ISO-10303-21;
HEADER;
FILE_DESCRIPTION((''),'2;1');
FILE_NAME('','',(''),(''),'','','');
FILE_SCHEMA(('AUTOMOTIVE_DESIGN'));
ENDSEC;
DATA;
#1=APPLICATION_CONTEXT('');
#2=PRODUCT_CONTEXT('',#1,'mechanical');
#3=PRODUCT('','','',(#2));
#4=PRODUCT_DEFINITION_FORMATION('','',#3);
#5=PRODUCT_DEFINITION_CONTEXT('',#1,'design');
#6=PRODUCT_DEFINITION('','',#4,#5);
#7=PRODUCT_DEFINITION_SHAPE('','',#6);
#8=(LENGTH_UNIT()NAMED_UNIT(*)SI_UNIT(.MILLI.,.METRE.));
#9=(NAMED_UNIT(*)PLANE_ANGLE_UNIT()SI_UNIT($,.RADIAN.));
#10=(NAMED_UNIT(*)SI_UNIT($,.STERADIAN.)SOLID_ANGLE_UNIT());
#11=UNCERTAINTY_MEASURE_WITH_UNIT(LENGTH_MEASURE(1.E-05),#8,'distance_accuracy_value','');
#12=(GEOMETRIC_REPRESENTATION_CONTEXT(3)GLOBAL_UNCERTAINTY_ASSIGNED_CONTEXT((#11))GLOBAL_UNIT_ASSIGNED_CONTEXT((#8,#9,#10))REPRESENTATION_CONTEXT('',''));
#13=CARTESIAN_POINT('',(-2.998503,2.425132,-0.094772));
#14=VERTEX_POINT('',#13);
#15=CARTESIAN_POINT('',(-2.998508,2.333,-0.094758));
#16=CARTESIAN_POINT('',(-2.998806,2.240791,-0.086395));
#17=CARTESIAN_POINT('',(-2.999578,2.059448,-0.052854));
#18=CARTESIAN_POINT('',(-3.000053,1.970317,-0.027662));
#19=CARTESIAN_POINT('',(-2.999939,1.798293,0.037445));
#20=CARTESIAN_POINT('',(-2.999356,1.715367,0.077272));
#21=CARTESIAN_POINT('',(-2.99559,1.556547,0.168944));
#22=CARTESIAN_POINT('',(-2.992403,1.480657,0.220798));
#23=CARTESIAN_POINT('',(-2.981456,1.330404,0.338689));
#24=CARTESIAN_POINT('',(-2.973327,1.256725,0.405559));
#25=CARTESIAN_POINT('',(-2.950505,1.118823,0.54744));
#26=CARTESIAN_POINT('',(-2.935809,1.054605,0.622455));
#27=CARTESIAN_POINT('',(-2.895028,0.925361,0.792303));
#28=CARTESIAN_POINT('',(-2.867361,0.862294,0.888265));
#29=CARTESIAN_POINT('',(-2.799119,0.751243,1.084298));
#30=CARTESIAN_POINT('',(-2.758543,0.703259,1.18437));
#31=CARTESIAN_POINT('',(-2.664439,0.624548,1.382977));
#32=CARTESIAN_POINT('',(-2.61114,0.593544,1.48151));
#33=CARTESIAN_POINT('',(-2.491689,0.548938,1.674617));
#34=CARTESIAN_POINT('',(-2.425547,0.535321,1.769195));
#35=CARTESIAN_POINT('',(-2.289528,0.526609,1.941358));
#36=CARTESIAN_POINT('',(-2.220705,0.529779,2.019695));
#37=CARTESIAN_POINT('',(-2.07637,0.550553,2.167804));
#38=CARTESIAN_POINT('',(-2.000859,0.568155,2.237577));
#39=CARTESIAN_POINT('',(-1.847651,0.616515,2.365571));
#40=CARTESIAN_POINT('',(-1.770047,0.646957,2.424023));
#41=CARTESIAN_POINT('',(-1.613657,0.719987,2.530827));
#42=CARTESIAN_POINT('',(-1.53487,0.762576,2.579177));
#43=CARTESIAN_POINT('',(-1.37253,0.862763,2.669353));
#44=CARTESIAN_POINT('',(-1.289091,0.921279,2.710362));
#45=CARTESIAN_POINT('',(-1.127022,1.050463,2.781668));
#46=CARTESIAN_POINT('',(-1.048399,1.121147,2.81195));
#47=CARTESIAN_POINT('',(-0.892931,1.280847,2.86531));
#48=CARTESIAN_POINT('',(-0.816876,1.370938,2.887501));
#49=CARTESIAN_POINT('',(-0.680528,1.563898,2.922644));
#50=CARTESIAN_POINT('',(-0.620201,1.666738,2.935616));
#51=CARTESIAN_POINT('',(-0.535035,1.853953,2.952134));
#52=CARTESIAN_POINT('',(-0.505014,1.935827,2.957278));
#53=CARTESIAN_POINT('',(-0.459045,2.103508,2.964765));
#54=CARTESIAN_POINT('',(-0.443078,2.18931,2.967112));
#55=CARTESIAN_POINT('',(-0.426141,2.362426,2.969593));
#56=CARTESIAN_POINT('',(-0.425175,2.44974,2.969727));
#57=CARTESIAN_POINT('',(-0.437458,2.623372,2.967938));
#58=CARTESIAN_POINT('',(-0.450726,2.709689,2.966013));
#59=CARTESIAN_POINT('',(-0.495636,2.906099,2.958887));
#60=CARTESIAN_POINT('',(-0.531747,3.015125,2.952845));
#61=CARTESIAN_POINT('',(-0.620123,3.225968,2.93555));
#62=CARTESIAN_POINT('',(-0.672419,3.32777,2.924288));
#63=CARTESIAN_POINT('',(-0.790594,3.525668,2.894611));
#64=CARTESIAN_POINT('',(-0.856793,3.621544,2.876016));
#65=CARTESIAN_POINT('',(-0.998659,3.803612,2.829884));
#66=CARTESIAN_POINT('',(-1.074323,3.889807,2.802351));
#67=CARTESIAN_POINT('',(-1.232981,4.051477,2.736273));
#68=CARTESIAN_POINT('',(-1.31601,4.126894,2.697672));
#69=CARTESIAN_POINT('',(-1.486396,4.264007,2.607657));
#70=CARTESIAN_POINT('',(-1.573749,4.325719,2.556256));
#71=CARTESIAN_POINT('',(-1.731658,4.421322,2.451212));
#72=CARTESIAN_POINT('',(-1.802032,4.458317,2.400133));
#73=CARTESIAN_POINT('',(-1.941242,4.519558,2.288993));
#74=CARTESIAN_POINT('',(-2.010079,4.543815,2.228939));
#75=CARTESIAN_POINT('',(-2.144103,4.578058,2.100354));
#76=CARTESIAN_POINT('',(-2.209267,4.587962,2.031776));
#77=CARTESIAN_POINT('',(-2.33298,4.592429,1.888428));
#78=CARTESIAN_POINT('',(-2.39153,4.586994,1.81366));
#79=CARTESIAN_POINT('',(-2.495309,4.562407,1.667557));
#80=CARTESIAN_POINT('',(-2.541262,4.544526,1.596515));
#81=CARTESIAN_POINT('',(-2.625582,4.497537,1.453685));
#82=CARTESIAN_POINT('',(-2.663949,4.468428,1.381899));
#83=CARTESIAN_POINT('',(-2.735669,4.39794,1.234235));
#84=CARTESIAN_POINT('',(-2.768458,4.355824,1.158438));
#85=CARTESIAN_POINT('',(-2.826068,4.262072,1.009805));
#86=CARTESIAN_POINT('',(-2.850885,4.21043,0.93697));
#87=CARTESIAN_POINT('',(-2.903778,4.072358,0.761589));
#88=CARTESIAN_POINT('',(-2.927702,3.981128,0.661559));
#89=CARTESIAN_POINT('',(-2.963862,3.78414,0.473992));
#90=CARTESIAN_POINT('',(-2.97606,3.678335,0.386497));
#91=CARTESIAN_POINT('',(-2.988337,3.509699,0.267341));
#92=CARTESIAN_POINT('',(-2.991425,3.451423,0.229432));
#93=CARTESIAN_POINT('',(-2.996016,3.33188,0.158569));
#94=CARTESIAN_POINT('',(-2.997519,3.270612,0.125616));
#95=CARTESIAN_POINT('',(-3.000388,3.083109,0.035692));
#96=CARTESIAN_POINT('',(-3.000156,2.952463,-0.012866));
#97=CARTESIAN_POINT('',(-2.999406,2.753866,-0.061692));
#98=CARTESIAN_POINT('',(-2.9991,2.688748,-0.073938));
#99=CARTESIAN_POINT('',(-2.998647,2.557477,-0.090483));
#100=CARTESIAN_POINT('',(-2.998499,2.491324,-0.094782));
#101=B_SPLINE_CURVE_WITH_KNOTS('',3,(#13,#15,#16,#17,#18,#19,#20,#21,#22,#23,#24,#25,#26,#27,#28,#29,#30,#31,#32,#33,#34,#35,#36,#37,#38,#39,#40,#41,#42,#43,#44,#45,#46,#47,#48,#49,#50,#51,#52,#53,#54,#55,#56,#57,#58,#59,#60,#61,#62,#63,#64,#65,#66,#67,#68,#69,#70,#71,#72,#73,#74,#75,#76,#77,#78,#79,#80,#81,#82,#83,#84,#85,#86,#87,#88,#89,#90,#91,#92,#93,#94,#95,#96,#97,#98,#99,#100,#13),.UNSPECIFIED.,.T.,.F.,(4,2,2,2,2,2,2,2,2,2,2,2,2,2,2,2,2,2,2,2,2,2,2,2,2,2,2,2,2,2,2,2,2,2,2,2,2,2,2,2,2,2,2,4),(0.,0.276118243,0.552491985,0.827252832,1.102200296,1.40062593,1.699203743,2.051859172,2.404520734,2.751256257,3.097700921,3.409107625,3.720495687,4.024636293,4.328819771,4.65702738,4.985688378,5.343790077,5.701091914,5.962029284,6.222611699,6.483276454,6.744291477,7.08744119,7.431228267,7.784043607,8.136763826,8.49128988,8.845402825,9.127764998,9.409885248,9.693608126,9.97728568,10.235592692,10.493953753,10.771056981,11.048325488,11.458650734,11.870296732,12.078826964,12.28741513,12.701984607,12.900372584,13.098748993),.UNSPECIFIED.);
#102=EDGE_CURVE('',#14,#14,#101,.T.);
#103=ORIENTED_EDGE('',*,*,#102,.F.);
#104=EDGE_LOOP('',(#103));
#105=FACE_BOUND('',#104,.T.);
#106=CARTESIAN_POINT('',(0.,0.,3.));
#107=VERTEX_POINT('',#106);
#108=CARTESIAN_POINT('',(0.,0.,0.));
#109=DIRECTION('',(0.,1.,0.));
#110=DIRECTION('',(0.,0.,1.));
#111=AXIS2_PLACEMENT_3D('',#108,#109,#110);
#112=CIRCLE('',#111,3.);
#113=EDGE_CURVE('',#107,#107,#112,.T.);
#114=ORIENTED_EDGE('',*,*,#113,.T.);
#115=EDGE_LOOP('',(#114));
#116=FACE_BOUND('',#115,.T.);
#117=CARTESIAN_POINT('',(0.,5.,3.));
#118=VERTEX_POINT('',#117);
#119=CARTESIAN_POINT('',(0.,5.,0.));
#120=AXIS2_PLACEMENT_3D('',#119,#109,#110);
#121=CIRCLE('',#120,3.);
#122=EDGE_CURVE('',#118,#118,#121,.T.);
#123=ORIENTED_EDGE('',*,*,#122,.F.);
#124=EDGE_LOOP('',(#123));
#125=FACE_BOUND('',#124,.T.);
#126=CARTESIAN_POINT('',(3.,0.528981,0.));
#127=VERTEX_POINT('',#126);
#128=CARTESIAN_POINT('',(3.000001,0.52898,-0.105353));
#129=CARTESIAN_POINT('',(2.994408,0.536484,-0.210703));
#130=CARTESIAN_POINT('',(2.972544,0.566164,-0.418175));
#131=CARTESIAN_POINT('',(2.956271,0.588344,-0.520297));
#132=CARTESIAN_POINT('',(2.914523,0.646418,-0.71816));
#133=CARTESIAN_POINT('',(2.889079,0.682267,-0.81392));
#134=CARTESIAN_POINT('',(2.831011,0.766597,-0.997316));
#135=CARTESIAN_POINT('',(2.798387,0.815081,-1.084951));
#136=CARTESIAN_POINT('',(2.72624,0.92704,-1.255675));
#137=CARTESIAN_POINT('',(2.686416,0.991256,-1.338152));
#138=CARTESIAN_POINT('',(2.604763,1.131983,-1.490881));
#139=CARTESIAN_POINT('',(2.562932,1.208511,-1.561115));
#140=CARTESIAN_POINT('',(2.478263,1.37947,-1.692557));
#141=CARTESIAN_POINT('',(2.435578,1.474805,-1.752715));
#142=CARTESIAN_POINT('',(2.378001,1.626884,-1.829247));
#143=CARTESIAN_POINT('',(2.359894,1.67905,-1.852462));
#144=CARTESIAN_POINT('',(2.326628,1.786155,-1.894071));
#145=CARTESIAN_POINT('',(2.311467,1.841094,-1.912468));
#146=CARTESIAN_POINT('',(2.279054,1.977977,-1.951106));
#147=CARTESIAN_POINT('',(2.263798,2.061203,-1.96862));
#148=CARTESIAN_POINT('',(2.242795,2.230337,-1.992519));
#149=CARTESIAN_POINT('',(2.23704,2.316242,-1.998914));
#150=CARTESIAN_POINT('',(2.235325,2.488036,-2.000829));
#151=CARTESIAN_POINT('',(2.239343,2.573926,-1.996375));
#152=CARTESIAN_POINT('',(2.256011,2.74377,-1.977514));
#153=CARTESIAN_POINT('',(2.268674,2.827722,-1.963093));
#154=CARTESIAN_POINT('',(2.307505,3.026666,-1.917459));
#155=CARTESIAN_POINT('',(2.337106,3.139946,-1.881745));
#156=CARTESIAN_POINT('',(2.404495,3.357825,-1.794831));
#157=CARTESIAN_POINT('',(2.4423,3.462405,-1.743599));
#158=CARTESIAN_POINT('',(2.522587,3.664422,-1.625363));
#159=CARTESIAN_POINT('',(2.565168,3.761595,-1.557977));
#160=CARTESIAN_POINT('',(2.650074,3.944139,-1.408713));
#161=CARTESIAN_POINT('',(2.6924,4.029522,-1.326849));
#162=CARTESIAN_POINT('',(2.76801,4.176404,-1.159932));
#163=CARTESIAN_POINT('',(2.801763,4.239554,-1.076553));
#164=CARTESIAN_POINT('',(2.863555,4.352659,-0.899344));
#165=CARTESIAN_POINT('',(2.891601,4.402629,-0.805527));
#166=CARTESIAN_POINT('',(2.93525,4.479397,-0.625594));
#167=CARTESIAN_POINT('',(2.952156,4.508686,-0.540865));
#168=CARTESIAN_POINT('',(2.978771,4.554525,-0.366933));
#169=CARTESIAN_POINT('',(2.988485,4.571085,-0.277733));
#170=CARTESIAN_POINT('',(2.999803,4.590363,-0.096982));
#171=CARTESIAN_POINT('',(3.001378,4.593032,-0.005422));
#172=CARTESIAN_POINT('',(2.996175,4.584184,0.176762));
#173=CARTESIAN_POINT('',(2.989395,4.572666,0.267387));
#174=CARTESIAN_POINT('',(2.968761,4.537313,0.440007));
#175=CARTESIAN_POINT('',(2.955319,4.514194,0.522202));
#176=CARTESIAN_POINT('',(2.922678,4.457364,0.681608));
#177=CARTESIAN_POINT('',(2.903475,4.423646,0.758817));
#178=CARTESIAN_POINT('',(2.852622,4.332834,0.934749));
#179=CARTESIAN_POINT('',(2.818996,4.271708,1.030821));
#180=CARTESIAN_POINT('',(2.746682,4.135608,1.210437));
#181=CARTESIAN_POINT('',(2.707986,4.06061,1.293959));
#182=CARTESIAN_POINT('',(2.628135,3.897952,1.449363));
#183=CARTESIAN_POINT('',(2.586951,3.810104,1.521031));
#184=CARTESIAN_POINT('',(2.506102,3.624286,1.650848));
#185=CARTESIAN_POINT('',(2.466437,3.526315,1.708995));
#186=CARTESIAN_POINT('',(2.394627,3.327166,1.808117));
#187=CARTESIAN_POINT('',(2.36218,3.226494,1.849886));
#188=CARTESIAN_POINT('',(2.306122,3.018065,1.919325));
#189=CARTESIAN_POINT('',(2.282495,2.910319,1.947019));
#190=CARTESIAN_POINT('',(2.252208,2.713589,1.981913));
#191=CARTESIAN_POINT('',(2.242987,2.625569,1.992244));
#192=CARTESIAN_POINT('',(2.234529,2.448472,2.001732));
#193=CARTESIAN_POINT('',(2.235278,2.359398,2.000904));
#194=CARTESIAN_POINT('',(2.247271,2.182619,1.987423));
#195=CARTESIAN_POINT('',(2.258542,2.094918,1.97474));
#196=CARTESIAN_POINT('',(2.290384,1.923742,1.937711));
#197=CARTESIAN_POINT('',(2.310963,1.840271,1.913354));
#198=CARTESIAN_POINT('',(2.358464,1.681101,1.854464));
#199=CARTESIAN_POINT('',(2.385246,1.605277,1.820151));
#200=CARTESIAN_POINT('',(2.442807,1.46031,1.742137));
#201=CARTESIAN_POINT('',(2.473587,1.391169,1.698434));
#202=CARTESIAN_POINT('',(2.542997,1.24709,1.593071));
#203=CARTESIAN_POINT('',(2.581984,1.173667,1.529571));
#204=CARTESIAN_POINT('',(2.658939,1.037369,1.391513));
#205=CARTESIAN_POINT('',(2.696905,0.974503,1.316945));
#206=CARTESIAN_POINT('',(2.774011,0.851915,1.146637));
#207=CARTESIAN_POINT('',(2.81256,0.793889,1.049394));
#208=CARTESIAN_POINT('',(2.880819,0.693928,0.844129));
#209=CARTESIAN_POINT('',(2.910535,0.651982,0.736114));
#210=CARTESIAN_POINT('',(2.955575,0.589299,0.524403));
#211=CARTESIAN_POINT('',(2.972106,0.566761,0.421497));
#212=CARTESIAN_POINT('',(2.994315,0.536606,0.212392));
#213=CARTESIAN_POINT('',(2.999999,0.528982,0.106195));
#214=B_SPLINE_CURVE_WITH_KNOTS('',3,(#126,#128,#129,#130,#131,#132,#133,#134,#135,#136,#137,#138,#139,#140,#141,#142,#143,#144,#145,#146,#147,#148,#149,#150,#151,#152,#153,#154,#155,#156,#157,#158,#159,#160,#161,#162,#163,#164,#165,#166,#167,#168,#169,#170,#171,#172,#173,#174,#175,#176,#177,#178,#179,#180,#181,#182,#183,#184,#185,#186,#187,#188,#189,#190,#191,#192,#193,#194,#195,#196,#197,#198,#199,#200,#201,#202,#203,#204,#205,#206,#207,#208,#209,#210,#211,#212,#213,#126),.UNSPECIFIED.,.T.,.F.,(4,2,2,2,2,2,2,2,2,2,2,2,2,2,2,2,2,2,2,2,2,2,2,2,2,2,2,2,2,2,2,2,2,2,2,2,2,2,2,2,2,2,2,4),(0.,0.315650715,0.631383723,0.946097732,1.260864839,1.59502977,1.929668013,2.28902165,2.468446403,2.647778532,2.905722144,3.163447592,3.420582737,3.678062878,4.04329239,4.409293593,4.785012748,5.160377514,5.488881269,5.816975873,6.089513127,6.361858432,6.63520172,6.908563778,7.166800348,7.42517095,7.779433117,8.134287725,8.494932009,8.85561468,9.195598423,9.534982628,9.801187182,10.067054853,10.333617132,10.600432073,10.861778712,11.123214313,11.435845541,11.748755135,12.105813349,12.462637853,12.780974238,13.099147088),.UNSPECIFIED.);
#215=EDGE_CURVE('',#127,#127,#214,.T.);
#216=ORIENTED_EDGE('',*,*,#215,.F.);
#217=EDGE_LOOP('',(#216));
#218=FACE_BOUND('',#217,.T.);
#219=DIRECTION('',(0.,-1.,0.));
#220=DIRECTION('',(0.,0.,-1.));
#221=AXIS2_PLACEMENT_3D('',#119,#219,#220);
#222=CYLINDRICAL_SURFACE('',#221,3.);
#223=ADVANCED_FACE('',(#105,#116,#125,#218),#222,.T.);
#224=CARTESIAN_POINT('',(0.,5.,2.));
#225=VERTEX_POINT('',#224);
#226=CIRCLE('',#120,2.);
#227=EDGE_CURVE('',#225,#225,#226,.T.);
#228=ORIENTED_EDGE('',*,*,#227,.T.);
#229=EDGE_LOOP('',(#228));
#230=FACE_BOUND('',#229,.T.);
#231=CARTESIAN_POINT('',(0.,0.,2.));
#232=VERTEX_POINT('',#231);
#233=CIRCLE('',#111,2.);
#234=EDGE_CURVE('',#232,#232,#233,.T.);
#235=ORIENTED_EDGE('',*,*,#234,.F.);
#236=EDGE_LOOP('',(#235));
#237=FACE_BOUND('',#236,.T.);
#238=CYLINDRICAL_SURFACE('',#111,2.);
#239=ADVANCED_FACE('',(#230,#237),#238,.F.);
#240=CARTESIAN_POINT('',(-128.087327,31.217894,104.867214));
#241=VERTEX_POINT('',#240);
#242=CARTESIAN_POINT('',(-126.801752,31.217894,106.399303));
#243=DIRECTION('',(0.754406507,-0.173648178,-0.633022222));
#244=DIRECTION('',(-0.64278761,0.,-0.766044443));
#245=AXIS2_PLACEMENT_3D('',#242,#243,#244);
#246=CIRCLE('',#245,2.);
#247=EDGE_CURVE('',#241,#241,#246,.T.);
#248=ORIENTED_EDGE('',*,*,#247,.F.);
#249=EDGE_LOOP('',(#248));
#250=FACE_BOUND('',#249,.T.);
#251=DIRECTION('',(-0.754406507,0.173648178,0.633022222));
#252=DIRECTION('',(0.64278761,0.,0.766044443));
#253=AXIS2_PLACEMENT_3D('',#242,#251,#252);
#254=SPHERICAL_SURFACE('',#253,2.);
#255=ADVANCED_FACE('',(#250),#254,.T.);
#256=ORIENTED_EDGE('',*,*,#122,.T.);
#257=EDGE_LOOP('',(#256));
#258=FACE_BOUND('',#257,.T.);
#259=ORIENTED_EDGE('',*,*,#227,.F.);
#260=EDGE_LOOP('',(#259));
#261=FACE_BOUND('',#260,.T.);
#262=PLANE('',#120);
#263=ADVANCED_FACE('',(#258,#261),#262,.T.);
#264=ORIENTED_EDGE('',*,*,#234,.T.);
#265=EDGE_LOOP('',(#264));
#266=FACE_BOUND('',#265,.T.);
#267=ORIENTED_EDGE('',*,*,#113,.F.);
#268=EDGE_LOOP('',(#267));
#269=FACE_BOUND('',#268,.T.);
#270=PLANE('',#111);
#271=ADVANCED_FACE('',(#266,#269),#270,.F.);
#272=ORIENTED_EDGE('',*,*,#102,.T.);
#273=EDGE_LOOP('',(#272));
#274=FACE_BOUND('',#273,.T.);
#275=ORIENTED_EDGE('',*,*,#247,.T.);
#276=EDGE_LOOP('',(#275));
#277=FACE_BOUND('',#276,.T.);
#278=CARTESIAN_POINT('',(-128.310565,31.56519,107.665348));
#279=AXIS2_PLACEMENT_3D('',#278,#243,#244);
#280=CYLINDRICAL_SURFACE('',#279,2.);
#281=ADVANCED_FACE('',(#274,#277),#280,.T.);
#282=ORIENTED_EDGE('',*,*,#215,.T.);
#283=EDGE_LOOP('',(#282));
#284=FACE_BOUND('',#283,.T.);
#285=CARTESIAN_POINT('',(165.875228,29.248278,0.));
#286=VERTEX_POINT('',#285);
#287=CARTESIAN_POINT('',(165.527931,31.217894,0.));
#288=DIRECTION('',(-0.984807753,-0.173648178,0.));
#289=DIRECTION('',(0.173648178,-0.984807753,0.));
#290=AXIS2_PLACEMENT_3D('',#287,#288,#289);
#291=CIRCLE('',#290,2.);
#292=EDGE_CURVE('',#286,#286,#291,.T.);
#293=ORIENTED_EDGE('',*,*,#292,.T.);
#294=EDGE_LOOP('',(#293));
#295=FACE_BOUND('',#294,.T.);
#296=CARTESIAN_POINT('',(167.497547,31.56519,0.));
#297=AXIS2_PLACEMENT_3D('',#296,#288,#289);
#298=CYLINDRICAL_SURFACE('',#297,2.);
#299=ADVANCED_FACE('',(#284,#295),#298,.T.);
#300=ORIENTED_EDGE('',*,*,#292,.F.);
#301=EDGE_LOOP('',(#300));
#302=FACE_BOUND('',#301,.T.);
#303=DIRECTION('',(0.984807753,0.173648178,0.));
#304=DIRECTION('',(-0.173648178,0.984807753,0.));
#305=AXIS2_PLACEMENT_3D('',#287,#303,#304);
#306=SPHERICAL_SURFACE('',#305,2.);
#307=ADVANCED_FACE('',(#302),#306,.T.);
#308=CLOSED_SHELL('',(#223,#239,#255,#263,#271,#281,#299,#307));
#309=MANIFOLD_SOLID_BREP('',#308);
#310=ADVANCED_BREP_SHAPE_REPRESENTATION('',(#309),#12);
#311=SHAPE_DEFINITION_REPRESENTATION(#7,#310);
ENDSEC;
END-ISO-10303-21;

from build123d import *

# Parameters (mm, degrees)
BOSS_EXTRU_6_DEPTH                 = 5
ESQUISSE4_R                        = 2
BOSS_EXTRU_5_DEPTH                 = 170
CONG_3_R                           = 2
R_P_TITION_CIRCULAIRE1_COUNT       = 2
R_P_TITION_CIRCULAIRE1_ANGLE       = 140
CONG_3_OF_R_P_TITION_CIRCULAIRE1_R = 2
ESQUISSE6_R                        = 2
ENL_V_MAT_EXTRU_2_DEPTH            = 202.524852693


with BuildPart() as part:
    # Esquisse1 → Boss.-Extru.6 (new body)
    with BuildSketch(Plane(origin=(0, 0, 0), x_dir=(1, 0, 0), z_dir=(0, 1, 0))):
        with BuildLine():
            ThreePointArc((0, -3), (3, 0), (0, 3))
            ThreePointArc((0, 3), (-3, 0), (0, -3))
        make_face()
    extrude(amount=BOSS_EXTRU_6_DEPTH)

    # Esquisse4 → Boss.-Extru.5 (add)
    with BuildSketch(Plane(origin=(0.427525179, 0.075384224, 0), x_dir=(0, 0, -1), z_dir=(0.984807753012208, 0.17364817766693072, 0))):
        with Locations(Location((0, 2, 0), (0, 0, 270))):
            Circle(ESQUISSE4_R)
    boss_extru_5 = extrude(amount=BOSS_EXTRU_5_DEPTH)

    # Congé3
    cong_3_edges = [part.edges().sort_by_distance(p)[0] for p in [
        (167.150250481, 33.534805439, 0),
    ]]
    fillet(cong_3_edges, radius=CONG_3_R)

    # Répétition circulaire1: Boss.-Extru.5 ×2 about axis
    r_p_tition_circulaire1_axis = Axis((0, 0, 0), (0, -1, 0))
    for i in range(1, R_P_TITION_CIRCULAIRE1_COUNT):
        add(boss_extru_5.rotate(r_p_tition_circulaire1_axis, i * R_P_TITION_CIRCULAIRE1_ANGLE / (R_P_TITION_CIRCULAIRE1_COUNT - 1)))

    # Congé3 of Répétition circulaire1
    cong_3_of_r_p_tition_circulaire1_edges = [part.edges().sort_by_distance(p)[0] for p in [
        (-128.044520547, 33.534805439, 107.442109965),
    ]]
    fillet(cong_3_of_r_p_tition_circulaire1_edges, radius=CONG_3_OF_R_P_TITION_CIRCULAIRE1_R)

    # Esquisse6 → Enlèv. mat.-Extru.2 (cut, through all)
    with BuildSketch(Plane(origin=(0, 5, 0), x_dir=(1, 0, 0), z_dir=(0, 1, 0))):
        with Locations(Location((0, 0, 0), (0, 0, 270))):
            Circle(ESQUISSE6_R)
    extrude(amount=-ENL_V_MAT_EXTRU_2_DEPTH, mode=Mode.SUBTRACT)


solid = part.part
